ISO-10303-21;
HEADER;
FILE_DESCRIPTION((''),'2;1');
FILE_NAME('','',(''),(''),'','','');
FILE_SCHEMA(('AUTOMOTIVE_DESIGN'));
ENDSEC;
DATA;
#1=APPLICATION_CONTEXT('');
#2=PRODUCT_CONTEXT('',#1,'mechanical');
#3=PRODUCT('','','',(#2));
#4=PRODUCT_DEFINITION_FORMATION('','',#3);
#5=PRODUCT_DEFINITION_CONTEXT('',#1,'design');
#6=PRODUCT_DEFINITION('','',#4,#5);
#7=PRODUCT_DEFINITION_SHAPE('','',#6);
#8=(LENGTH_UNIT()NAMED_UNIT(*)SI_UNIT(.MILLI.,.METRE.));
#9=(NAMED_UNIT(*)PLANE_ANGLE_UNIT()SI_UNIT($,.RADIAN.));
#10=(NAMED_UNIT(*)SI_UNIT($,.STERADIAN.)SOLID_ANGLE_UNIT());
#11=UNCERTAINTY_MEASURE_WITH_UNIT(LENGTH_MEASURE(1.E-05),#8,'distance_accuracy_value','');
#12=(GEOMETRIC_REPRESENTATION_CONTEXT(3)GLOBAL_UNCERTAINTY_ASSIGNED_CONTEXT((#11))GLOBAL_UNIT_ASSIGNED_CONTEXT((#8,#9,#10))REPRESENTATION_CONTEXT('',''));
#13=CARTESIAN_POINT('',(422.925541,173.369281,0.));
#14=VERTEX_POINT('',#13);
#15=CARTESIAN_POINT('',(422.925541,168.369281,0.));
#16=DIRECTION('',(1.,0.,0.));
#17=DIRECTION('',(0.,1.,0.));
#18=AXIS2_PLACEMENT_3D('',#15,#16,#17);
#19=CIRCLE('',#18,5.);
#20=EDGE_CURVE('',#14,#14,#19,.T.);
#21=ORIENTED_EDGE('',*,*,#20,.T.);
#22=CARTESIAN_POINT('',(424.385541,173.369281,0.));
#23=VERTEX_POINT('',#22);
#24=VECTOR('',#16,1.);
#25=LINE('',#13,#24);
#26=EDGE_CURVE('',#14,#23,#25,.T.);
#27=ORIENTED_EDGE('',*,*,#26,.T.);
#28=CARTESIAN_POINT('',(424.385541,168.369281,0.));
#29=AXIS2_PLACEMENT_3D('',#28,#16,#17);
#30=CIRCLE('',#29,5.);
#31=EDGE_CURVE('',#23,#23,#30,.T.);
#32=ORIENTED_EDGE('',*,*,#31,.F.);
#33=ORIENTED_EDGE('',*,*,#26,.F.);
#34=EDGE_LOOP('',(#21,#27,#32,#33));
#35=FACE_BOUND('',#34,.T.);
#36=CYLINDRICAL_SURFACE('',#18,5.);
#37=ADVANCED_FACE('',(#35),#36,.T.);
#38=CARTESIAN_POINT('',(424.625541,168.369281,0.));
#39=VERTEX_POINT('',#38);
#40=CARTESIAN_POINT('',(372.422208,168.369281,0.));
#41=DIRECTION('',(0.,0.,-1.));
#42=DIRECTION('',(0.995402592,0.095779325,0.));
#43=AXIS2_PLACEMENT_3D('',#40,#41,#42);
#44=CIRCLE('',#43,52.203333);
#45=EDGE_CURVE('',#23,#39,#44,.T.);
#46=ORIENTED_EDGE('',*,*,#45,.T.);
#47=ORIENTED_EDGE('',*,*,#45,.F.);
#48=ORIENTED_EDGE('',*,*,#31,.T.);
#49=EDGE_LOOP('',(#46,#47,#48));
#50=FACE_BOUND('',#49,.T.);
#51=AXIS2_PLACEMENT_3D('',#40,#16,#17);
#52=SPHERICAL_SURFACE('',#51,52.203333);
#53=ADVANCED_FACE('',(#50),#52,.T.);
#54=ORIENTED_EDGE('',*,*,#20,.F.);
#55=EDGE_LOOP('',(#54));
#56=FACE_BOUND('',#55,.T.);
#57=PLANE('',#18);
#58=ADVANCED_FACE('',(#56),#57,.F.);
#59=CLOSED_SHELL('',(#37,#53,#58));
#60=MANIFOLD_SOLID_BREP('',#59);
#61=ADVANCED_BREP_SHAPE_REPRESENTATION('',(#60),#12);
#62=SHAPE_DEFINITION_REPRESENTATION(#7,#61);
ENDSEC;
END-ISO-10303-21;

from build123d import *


with BuildPart() as part:
    # 草图1 → 旋转1 (revolve)
    with BuildSketch(Plane.XY):
        with BuildLine():
            Line((422.925540949, 168.369281415), (422.925540949, 173.369281415))
            Line((422.925540949, 173.369281415), (424.385540949, 173.369281415))
            ThreePointArc((424.385540949, 173.369281415), (424.565506429, 170.872159758), (424.625540949, 168.369281415))
            Line((424.625540949, 168.369281415), (422.925540949, 168.369281415))
        make_face()
    revolve(axis=Axis((421.983990478, 168.369281415, 0), (1, 0, 0)))


solid = part.part
